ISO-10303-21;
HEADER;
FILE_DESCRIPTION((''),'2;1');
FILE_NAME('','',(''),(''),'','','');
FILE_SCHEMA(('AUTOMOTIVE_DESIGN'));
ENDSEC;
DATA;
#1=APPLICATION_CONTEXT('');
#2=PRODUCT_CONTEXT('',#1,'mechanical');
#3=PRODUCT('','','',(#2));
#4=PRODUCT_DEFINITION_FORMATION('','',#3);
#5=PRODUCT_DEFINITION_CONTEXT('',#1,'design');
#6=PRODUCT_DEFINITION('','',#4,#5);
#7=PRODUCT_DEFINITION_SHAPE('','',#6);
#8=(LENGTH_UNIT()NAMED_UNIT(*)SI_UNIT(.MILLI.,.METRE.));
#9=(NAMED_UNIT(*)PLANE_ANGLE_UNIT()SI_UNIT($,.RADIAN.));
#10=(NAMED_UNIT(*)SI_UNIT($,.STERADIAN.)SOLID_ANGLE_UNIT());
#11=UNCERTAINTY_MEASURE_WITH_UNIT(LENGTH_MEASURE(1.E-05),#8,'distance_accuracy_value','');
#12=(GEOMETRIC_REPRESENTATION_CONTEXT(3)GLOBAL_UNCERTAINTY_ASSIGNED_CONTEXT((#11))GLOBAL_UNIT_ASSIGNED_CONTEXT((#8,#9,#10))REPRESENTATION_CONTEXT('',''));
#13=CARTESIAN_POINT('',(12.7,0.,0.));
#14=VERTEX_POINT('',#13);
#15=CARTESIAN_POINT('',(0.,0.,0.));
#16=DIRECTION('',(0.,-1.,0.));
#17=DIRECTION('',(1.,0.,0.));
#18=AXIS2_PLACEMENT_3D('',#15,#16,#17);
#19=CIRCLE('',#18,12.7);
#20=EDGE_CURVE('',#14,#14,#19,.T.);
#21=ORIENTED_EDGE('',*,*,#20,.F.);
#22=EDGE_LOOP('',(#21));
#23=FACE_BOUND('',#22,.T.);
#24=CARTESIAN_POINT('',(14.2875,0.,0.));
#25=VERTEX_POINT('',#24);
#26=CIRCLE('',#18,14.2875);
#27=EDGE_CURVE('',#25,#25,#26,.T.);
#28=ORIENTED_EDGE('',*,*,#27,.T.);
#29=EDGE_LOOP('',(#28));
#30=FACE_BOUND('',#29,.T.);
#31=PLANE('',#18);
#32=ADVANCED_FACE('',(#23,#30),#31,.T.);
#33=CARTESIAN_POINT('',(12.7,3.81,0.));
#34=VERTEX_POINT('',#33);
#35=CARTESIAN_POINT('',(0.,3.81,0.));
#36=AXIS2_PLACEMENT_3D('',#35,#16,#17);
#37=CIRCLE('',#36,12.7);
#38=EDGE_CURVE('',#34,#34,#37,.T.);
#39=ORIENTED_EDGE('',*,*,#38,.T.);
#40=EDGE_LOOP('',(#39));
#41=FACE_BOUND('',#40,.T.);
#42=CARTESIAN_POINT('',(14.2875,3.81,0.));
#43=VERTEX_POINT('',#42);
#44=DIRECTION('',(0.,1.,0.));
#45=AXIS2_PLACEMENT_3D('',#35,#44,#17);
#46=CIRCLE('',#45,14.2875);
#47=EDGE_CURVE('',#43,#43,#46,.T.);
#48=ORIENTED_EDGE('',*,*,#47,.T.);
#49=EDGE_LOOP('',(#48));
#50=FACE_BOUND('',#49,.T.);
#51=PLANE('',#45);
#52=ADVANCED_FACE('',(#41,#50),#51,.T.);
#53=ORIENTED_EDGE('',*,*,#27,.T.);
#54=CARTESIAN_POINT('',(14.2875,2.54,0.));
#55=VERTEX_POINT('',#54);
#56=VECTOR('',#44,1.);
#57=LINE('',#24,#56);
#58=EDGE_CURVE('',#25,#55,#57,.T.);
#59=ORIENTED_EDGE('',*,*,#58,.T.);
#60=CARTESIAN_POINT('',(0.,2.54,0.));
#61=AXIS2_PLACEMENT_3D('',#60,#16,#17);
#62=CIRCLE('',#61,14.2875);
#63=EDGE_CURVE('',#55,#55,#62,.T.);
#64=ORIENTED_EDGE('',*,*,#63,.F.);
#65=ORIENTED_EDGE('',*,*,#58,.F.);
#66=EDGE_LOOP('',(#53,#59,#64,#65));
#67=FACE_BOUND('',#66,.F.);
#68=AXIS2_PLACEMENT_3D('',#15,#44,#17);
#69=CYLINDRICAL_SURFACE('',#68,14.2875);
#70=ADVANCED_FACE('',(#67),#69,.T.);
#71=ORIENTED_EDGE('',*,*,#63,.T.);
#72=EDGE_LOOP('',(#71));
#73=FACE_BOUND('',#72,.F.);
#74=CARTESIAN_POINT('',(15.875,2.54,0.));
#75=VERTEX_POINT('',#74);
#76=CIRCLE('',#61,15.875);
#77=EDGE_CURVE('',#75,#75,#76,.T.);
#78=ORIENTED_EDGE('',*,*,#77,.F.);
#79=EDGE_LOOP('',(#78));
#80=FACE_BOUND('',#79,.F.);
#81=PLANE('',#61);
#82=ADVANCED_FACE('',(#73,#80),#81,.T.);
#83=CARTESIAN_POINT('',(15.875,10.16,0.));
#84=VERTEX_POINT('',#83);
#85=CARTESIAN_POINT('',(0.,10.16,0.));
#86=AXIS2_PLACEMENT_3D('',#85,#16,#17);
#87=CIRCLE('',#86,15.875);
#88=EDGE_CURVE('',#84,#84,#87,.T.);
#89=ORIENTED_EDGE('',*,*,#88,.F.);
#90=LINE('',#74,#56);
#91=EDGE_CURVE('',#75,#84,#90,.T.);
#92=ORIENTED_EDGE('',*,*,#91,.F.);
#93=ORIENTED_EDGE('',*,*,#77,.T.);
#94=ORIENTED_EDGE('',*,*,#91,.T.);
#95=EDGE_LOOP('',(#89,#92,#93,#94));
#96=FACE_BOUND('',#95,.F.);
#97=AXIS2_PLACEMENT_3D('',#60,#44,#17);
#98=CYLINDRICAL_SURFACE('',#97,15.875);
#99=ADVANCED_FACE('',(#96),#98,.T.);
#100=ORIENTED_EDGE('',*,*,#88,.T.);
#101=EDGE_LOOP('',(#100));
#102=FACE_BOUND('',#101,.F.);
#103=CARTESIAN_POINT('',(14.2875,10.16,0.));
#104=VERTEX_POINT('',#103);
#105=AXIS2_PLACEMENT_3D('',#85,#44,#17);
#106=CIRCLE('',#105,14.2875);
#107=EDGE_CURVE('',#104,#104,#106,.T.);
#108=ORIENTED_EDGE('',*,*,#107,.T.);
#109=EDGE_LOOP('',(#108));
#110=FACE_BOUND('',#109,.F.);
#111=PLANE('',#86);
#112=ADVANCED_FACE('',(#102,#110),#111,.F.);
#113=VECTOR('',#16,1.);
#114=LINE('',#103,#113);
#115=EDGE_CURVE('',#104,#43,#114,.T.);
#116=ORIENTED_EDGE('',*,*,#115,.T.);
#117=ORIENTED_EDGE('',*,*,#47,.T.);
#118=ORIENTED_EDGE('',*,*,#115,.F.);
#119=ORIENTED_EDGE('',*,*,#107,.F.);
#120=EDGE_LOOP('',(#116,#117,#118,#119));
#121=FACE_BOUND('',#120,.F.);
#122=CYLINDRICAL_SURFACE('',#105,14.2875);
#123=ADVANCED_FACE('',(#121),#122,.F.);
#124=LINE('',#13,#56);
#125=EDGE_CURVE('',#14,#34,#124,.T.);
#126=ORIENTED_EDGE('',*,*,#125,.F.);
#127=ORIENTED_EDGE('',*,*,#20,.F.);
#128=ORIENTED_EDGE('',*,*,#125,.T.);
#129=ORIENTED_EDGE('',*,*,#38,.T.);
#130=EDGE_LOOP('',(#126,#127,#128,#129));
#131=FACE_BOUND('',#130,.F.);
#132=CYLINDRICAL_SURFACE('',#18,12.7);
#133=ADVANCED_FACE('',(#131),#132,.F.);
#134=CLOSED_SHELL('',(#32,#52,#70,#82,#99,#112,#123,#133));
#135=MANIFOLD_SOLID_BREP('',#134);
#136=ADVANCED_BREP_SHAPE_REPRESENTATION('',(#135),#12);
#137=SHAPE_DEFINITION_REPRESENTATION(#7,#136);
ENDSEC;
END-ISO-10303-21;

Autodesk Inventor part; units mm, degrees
ref_plane "YZ Plane" through (0, 0, 0) normal (1, 0, 0) x (0, 1, 0)
ref_plane "XZ Plane" through (0, 0, 0) normal (0, 1, 0) x (-1, 0, 0)
ref_plane "XY Plane" through (0, 0, 0) normal (0, 0, 1) x (1, 0, 0)
sketch "Sketch1" plane through (0, 0, 0) normal (0, 0, 1) x (1, 0, 0)
  line L0 (14.2875, 0) -> (14.2875, 2.54)
  line L1 (14.2875, 2.54) -> (15.875, 2.54)
  line L2 (15.875, 2.54) -> (15.875, 10.16)
  line L3 (15.875, 10.16) -> (0, 10.16)
  line L4 (14.2875, 0) -> (0, 0)
  line L5 (0, 10.16) -> (0, 0)
  dimension "d0" = 14.2875
  dimension "d1" = 15.875
  dimension "d2" = 2.54
  dimension "d3" = 7.62
revolve "Revolution1" add sketch "Sketch1" angle 360 about axis through (0, 10.16, 0) along (0, -1, 0)
thread "Thread1" size "1 1/8-28 UN" class "3A" standard "ANSI Unified Screw Threads" full length
sketch "Sketch3" plane through (0, 10.16, 0) normal (0, 1, 0) x (1, 0, 0)
  circle A0 centre (0, 0) radius 14.2875
  dimension "d7" = 28.575
extrude "Extrusion1" cut sketch "Sketch3" against normal blind 6.35
sketch "Sketch4" plane through (0, 0, 0) normal (0, -1, 0) x (1, 0, 0)
  circle A0 centre (0, 0) radius 12.7
  dimension "d10" = 25.4
extrude "Extrusion2" cut sketch "Sketch4" against normal up to next
thread "Thread2" size "1 1/8-28 UN" class "2B" standard "ANSI Unified Screw Threads" full length
properties part number "simulatedFilter" material "PET Plastic"
